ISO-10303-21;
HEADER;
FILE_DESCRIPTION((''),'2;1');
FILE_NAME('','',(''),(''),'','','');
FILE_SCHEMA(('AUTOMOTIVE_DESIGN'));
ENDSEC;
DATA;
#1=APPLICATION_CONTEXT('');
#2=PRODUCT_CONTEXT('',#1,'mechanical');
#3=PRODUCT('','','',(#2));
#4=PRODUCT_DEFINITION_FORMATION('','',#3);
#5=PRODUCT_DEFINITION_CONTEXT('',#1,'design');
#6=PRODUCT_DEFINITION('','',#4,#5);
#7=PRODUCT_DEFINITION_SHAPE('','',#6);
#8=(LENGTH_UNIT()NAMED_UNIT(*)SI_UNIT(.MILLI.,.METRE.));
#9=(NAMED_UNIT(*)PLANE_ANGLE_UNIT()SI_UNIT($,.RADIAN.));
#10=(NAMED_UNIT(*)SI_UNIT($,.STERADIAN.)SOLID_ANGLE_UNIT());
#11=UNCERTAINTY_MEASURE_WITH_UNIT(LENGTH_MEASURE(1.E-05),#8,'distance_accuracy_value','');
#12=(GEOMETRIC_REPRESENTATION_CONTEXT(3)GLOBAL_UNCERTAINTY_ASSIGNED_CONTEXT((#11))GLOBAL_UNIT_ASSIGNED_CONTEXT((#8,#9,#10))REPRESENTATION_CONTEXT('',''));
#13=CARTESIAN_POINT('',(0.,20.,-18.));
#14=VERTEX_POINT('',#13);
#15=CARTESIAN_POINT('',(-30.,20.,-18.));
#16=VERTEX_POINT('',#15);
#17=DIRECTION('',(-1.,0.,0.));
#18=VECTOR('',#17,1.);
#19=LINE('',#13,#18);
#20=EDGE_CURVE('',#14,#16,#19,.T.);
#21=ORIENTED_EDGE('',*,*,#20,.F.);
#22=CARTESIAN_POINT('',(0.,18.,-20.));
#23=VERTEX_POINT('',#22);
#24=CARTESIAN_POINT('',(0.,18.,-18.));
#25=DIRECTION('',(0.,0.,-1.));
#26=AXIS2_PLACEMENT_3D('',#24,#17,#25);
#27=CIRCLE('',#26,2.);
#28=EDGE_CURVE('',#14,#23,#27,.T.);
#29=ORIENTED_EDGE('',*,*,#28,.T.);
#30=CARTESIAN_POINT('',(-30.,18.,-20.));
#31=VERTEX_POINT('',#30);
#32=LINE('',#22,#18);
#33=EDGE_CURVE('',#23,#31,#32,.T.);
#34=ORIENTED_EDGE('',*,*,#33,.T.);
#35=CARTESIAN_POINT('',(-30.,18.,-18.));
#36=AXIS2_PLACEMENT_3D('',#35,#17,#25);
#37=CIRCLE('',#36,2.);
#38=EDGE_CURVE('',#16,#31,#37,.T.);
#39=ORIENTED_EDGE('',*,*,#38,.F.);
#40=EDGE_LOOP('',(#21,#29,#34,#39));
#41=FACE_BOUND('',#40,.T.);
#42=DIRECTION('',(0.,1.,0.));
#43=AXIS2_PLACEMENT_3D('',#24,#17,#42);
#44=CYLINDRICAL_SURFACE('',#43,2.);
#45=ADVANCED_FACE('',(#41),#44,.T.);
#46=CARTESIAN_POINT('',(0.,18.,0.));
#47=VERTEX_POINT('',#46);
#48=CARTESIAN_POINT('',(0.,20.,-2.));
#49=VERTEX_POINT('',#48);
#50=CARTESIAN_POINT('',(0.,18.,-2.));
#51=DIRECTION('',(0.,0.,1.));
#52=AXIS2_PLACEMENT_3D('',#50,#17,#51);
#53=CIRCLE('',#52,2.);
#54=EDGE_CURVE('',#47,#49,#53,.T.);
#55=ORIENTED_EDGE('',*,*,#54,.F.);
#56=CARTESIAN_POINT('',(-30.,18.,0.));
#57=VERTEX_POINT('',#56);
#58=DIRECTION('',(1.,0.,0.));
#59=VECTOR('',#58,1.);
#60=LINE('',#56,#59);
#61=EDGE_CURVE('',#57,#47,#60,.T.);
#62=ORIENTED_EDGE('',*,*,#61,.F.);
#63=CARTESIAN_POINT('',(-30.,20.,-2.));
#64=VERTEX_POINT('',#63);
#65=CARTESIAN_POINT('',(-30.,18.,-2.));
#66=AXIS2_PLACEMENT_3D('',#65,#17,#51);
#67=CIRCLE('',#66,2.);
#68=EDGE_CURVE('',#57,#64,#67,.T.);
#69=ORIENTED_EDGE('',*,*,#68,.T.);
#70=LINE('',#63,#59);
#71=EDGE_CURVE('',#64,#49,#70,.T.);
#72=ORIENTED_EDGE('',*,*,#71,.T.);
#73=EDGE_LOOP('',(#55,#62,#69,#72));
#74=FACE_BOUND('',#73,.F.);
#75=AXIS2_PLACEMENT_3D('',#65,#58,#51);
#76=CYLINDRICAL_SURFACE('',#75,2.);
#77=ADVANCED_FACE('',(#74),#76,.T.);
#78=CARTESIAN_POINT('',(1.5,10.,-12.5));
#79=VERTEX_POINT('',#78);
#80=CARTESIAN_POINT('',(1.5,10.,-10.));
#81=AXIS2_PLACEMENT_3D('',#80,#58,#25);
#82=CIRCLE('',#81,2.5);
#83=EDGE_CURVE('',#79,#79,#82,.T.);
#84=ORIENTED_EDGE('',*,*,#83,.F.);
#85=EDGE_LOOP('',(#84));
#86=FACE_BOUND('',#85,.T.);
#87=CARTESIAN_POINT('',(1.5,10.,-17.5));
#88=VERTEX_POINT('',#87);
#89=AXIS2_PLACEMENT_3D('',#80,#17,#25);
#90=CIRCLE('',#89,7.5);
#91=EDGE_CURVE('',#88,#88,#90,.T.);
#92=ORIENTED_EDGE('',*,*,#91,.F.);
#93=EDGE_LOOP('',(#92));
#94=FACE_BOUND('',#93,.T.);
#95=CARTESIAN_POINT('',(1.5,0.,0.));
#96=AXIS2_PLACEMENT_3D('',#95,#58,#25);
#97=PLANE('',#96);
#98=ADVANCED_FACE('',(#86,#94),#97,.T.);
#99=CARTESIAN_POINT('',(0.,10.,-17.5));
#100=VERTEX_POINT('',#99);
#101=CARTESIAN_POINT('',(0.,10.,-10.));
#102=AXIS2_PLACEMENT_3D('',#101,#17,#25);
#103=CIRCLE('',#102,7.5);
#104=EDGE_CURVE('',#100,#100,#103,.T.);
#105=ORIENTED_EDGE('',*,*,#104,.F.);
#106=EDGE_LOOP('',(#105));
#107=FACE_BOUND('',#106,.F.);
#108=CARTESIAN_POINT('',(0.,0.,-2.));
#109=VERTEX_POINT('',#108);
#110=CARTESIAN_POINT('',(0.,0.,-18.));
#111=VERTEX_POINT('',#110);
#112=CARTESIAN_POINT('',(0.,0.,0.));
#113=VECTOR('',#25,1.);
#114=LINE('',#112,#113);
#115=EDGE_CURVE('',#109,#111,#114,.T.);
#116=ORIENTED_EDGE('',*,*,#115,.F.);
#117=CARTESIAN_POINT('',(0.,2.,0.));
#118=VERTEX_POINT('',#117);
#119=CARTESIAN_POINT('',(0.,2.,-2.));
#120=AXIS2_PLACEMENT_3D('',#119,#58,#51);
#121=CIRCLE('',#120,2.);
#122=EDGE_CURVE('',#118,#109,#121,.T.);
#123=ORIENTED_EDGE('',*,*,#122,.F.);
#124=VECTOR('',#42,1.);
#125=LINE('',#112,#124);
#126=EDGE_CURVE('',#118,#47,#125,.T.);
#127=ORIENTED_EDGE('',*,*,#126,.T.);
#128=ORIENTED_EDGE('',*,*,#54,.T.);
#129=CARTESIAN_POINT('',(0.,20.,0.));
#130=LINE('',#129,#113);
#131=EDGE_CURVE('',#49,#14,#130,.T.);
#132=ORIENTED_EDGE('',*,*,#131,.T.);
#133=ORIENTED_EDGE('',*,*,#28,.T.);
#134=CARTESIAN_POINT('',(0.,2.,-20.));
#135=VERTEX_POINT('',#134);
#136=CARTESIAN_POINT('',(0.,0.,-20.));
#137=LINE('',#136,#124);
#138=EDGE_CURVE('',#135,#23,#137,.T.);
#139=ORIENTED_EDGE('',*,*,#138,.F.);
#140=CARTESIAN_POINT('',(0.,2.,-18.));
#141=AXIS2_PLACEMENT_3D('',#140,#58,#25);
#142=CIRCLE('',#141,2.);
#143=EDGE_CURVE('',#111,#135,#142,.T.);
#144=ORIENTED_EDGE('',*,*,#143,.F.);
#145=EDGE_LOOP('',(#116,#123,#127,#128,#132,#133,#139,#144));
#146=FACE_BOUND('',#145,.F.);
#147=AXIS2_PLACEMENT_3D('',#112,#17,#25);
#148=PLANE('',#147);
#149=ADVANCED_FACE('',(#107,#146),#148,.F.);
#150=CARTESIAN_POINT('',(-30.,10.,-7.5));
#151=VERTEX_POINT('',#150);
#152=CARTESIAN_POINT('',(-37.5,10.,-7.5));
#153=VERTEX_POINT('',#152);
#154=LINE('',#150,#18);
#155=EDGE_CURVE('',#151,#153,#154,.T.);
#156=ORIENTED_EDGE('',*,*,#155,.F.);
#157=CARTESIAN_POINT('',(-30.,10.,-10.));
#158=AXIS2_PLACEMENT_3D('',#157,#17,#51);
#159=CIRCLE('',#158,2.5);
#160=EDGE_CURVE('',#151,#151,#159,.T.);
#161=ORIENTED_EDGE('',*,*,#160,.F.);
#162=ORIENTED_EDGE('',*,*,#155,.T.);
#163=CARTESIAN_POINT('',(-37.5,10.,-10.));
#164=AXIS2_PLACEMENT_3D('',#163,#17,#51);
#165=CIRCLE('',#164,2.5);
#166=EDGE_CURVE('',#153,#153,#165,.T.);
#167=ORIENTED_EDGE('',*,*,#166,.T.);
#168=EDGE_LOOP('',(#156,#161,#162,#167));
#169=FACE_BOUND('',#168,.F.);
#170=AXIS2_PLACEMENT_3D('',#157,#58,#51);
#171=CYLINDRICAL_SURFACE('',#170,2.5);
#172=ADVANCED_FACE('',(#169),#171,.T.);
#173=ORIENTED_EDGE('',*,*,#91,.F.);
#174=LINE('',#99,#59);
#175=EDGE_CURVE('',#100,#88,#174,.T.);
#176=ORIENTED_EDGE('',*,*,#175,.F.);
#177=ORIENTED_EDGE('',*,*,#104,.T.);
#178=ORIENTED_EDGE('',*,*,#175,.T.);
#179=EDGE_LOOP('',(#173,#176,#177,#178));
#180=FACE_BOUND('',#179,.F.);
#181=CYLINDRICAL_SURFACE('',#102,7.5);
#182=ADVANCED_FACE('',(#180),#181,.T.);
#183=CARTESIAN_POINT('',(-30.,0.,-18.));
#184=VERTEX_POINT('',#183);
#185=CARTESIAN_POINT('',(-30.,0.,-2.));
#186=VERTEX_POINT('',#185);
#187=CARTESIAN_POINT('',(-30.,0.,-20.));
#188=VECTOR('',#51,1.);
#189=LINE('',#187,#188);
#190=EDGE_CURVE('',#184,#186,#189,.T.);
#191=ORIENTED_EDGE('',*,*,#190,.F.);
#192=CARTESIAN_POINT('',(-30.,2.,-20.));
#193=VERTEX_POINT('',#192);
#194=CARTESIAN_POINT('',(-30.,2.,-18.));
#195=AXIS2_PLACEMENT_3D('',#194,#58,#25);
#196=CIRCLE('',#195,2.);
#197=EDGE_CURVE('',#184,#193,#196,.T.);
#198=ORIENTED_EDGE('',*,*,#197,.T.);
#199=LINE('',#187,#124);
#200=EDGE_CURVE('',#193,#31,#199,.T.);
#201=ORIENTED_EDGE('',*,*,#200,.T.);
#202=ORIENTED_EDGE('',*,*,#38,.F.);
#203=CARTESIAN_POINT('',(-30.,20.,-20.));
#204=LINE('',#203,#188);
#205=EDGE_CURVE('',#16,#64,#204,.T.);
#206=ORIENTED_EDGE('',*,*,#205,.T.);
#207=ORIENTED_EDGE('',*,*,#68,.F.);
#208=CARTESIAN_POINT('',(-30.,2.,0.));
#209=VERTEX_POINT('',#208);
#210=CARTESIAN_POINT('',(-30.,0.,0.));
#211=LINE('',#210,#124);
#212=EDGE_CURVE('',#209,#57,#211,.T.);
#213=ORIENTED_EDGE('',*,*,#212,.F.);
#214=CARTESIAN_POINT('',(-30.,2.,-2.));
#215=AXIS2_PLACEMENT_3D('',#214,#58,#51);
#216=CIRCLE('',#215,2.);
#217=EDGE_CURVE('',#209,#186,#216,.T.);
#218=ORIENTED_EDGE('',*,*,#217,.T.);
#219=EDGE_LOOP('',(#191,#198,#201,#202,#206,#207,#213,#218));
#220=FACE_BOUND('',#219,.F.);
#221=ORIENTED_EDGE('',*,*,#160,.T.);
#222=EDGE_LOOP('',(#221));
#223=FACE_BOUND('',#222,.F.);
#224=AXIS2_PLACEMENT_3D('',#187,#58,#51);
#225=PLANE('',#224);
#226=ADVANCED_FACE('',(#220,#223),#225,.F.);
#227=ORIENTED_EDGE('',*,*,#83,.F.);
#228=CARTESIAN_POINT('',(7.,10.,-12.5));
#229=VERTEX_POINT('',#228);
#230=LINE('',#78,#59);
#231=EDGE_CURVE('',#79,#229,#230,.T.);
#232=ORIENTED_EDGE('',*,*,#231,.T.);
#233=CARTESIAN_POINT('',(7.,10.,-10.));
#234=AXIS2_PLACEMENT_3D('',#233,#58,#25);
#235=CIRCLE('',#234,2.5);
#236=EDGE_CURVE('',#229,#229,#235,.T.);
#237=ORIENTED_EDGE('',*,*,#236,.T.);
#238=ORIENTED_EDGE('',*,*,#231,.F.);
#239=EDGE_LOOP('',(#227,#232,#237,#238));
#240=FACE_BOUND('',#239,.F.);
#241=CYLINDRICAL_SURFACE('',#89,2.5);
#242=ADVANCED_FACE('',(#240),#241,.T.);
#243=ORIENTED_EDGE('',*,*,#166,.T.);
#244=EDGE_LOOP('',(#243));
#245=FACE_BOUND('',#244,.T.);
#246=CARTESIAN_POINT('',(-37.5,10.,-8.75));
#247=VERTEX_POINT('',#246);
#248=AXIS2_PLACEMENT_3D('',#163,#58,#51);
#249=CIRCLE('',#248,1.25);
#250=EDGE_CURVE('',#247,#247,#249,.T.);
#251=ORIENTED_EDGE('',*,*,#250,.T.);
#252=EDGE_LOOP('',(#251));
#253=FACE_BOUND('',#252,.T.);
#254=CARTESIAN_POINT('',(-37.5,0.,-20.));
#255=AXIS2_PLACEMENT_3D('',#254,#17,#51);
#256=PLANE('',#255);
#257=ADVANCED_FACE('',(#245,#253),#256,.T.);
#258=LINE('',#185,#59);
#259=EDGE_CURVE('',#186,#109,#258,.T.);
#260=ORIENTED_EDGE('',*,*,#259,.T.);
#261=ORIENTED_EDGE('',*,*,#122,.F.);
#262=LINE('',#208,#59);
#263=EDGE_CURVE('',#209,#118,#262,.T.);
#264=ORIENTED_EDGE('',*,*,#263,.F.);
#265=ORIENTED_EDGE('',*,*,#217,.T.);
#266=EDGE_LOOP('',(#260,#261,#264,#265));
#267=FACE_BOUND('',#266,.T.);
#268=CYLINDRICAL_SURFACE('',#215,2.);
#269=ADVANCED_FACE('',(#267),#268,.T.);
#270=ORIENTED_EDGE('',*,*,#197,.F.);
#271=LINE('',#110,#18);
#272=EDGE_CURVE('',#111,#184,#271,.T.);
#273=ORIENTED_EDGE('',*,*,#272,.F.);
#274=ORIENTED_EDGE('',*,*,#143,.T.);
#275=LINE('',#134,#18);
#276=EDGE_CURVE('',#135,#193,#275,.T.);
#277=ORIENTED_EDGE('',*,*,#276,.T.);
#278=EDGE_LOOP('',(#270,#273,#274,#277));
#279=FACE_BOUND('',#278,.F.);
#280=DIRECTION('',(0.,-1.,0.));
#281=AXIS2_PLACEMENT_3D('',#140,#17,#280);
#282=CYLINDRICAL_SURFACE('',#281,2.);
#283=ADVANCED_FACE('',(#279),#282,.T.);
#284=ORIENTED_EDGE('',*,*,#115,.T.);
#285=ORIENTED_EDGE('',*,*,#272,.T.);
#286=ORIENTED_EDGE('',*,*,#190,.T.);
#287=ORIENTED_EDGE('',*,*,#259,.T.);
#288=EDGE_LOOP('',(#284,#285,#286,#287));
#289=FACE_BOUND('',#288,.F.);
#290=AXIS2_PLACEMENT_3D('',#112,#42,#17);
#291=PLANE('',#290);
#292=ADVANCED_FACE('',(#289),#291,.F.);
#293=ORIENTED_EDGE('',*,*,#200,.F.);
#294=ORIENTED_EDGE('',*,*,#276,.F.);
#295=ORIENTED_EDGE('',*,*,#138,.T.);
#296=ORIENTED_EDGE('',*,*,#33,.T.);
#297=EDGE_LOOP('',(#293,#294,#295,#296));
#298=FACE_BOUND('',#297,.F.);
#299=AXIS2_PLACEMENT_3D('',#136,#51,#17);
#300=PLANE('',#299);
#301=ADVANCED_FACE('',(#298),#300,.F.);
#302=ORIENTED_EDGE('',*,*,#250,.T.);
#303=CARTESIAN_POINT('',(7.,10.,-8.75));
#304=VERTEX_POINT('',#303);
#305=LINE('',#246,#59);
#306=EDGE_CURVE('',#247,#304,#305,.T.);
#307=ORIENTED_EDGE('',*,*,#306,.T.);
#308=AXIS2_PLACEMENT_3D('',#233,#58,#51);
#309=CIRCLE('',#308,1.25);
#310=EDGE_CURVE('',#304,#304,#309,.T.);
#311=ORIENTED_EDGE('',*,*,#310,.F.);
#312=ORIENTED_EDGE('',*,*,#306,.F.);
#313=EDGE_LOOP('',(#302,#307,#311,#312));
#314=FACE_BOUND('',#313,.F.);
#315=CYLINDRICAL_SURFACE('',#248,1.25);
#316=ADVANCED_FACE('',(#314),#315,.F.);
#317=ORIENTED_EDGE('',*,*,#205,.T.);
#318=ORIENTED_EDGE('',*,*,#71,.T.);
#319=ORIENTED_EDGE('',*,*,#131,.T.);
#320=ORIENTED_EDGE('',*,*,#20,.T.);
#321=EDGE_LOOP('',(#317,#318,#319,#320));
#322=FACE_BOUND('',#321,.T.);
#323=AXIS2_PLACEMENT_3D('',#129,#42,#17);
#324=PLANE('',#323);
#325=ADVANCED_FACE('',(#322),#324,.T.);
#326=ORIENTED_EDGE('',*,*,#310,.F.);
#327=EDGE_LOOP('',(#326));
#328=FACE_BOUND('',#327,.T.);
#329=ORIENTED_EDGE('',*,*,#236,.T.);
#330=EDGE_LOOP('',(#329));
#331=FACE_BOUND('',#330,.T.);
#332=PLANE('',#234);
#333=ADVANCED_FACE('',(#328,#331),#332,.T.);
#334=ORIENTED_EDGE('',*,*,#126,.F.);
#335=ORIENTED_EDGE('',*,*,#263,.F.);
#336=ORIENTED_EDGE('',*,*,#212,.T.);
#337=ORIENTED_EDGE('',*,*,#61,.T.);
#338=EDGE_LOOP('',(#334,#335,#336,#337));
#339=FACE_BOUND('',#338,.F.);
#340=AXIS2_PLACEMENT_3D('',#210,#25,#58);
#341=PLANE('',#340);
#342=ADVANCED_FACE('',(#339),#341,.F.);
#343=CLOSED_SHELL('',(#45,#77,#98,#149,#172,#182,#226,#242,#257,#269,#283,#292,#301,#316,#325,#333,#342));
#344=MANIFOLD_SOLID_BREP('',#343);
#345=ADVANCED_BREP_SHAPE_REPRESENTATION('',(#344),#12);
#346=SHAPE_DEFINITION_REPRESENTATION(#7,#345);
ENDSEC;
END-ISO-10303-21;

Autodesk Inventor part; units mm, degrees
ref_plane "YZ Plane" through (0, 0, 0) normal (1, 0, 0) x (0, 1, 0)
ref_plane "XZ Plane" through (0, 0, 0) normal (0, 1, 0) x (-1, 0, 0)
sketch "Sketch1" plane through (0, 0, 0) normal (0, 1, 0) x (-1, 0, 0)
  line L0 (0, 0) -> (0, -20)
  line L1 (0, -20) -> (30, -20)
  line L2 (30, -20) -> (30, 0)
  line L3 (30, 0) -> (0, 0)
  dimension "d0" = 20
  dimension "d1" = 30
  dimension "d2" = 20
extrude "Extrusion1" add sketch "Sketch1" along normal blind 20
sketch "Sketch2" plane through (0, 0, 0) normal (1, 0, 0) x (0, 0, -1)
  line L0 (0, 0) -> (20, 0) projected
  line L1 (10, 0) -> (10, 10)
  circle A0 centre (10, 10) radius 7.5
  dimension "d5" = 10
  dimension "d6" = 15
extrude "Extrusion2" add sketch "Sketch2" along normal blind 1.5
sketch "Sketch3" plane through (1.5, 10, -10) normal (1, 0, 0) x (0, 0, -1)
  circle A0 centre (0, 0) radius 2.5
  point P0 (-10, -10)
  dimension "d9" = 5
extrude "Extrusion4" add sketch "Sketch3" along normal blind 5.5
sketch "Sketch4" plane through (-30, 0, -20) normal (-1, 0, 0) x (0, 0, 1)
  line L0 (20, 0) -> (0, 0) projected
  circle A0 centre (10, 10) radius 2.5 projected
  circle A1 centre (10, 10) radius 2.5
  dimension "d16" = 5
extrude "Extrusion5" add sketch "Sketch4" along normal blind 7.5
sketch "Sketch5" plane through (-37.5, 10, -10) normal (-1, 0, 0) x (0, 0, 1)
  circle A0 centre (0, 0) radius 2.5
  point P0 (10, -10)
  dimension "d19" = 5
hole "Hole1" at (-37.5, 10, -10) direction (1, 0, 0) diameter 2.5 end through all
fillet "Fillet1" radius 2 4 edges at (-15, 20, -20) (-15, 20, 0) (-15, 0, -20) (-15, 0, 0)
ref_plane "Work Plane1" through (7, 10, -10) normal (1, 0, 0) x (0, 0, -1)
properties part number "NEMA8"
